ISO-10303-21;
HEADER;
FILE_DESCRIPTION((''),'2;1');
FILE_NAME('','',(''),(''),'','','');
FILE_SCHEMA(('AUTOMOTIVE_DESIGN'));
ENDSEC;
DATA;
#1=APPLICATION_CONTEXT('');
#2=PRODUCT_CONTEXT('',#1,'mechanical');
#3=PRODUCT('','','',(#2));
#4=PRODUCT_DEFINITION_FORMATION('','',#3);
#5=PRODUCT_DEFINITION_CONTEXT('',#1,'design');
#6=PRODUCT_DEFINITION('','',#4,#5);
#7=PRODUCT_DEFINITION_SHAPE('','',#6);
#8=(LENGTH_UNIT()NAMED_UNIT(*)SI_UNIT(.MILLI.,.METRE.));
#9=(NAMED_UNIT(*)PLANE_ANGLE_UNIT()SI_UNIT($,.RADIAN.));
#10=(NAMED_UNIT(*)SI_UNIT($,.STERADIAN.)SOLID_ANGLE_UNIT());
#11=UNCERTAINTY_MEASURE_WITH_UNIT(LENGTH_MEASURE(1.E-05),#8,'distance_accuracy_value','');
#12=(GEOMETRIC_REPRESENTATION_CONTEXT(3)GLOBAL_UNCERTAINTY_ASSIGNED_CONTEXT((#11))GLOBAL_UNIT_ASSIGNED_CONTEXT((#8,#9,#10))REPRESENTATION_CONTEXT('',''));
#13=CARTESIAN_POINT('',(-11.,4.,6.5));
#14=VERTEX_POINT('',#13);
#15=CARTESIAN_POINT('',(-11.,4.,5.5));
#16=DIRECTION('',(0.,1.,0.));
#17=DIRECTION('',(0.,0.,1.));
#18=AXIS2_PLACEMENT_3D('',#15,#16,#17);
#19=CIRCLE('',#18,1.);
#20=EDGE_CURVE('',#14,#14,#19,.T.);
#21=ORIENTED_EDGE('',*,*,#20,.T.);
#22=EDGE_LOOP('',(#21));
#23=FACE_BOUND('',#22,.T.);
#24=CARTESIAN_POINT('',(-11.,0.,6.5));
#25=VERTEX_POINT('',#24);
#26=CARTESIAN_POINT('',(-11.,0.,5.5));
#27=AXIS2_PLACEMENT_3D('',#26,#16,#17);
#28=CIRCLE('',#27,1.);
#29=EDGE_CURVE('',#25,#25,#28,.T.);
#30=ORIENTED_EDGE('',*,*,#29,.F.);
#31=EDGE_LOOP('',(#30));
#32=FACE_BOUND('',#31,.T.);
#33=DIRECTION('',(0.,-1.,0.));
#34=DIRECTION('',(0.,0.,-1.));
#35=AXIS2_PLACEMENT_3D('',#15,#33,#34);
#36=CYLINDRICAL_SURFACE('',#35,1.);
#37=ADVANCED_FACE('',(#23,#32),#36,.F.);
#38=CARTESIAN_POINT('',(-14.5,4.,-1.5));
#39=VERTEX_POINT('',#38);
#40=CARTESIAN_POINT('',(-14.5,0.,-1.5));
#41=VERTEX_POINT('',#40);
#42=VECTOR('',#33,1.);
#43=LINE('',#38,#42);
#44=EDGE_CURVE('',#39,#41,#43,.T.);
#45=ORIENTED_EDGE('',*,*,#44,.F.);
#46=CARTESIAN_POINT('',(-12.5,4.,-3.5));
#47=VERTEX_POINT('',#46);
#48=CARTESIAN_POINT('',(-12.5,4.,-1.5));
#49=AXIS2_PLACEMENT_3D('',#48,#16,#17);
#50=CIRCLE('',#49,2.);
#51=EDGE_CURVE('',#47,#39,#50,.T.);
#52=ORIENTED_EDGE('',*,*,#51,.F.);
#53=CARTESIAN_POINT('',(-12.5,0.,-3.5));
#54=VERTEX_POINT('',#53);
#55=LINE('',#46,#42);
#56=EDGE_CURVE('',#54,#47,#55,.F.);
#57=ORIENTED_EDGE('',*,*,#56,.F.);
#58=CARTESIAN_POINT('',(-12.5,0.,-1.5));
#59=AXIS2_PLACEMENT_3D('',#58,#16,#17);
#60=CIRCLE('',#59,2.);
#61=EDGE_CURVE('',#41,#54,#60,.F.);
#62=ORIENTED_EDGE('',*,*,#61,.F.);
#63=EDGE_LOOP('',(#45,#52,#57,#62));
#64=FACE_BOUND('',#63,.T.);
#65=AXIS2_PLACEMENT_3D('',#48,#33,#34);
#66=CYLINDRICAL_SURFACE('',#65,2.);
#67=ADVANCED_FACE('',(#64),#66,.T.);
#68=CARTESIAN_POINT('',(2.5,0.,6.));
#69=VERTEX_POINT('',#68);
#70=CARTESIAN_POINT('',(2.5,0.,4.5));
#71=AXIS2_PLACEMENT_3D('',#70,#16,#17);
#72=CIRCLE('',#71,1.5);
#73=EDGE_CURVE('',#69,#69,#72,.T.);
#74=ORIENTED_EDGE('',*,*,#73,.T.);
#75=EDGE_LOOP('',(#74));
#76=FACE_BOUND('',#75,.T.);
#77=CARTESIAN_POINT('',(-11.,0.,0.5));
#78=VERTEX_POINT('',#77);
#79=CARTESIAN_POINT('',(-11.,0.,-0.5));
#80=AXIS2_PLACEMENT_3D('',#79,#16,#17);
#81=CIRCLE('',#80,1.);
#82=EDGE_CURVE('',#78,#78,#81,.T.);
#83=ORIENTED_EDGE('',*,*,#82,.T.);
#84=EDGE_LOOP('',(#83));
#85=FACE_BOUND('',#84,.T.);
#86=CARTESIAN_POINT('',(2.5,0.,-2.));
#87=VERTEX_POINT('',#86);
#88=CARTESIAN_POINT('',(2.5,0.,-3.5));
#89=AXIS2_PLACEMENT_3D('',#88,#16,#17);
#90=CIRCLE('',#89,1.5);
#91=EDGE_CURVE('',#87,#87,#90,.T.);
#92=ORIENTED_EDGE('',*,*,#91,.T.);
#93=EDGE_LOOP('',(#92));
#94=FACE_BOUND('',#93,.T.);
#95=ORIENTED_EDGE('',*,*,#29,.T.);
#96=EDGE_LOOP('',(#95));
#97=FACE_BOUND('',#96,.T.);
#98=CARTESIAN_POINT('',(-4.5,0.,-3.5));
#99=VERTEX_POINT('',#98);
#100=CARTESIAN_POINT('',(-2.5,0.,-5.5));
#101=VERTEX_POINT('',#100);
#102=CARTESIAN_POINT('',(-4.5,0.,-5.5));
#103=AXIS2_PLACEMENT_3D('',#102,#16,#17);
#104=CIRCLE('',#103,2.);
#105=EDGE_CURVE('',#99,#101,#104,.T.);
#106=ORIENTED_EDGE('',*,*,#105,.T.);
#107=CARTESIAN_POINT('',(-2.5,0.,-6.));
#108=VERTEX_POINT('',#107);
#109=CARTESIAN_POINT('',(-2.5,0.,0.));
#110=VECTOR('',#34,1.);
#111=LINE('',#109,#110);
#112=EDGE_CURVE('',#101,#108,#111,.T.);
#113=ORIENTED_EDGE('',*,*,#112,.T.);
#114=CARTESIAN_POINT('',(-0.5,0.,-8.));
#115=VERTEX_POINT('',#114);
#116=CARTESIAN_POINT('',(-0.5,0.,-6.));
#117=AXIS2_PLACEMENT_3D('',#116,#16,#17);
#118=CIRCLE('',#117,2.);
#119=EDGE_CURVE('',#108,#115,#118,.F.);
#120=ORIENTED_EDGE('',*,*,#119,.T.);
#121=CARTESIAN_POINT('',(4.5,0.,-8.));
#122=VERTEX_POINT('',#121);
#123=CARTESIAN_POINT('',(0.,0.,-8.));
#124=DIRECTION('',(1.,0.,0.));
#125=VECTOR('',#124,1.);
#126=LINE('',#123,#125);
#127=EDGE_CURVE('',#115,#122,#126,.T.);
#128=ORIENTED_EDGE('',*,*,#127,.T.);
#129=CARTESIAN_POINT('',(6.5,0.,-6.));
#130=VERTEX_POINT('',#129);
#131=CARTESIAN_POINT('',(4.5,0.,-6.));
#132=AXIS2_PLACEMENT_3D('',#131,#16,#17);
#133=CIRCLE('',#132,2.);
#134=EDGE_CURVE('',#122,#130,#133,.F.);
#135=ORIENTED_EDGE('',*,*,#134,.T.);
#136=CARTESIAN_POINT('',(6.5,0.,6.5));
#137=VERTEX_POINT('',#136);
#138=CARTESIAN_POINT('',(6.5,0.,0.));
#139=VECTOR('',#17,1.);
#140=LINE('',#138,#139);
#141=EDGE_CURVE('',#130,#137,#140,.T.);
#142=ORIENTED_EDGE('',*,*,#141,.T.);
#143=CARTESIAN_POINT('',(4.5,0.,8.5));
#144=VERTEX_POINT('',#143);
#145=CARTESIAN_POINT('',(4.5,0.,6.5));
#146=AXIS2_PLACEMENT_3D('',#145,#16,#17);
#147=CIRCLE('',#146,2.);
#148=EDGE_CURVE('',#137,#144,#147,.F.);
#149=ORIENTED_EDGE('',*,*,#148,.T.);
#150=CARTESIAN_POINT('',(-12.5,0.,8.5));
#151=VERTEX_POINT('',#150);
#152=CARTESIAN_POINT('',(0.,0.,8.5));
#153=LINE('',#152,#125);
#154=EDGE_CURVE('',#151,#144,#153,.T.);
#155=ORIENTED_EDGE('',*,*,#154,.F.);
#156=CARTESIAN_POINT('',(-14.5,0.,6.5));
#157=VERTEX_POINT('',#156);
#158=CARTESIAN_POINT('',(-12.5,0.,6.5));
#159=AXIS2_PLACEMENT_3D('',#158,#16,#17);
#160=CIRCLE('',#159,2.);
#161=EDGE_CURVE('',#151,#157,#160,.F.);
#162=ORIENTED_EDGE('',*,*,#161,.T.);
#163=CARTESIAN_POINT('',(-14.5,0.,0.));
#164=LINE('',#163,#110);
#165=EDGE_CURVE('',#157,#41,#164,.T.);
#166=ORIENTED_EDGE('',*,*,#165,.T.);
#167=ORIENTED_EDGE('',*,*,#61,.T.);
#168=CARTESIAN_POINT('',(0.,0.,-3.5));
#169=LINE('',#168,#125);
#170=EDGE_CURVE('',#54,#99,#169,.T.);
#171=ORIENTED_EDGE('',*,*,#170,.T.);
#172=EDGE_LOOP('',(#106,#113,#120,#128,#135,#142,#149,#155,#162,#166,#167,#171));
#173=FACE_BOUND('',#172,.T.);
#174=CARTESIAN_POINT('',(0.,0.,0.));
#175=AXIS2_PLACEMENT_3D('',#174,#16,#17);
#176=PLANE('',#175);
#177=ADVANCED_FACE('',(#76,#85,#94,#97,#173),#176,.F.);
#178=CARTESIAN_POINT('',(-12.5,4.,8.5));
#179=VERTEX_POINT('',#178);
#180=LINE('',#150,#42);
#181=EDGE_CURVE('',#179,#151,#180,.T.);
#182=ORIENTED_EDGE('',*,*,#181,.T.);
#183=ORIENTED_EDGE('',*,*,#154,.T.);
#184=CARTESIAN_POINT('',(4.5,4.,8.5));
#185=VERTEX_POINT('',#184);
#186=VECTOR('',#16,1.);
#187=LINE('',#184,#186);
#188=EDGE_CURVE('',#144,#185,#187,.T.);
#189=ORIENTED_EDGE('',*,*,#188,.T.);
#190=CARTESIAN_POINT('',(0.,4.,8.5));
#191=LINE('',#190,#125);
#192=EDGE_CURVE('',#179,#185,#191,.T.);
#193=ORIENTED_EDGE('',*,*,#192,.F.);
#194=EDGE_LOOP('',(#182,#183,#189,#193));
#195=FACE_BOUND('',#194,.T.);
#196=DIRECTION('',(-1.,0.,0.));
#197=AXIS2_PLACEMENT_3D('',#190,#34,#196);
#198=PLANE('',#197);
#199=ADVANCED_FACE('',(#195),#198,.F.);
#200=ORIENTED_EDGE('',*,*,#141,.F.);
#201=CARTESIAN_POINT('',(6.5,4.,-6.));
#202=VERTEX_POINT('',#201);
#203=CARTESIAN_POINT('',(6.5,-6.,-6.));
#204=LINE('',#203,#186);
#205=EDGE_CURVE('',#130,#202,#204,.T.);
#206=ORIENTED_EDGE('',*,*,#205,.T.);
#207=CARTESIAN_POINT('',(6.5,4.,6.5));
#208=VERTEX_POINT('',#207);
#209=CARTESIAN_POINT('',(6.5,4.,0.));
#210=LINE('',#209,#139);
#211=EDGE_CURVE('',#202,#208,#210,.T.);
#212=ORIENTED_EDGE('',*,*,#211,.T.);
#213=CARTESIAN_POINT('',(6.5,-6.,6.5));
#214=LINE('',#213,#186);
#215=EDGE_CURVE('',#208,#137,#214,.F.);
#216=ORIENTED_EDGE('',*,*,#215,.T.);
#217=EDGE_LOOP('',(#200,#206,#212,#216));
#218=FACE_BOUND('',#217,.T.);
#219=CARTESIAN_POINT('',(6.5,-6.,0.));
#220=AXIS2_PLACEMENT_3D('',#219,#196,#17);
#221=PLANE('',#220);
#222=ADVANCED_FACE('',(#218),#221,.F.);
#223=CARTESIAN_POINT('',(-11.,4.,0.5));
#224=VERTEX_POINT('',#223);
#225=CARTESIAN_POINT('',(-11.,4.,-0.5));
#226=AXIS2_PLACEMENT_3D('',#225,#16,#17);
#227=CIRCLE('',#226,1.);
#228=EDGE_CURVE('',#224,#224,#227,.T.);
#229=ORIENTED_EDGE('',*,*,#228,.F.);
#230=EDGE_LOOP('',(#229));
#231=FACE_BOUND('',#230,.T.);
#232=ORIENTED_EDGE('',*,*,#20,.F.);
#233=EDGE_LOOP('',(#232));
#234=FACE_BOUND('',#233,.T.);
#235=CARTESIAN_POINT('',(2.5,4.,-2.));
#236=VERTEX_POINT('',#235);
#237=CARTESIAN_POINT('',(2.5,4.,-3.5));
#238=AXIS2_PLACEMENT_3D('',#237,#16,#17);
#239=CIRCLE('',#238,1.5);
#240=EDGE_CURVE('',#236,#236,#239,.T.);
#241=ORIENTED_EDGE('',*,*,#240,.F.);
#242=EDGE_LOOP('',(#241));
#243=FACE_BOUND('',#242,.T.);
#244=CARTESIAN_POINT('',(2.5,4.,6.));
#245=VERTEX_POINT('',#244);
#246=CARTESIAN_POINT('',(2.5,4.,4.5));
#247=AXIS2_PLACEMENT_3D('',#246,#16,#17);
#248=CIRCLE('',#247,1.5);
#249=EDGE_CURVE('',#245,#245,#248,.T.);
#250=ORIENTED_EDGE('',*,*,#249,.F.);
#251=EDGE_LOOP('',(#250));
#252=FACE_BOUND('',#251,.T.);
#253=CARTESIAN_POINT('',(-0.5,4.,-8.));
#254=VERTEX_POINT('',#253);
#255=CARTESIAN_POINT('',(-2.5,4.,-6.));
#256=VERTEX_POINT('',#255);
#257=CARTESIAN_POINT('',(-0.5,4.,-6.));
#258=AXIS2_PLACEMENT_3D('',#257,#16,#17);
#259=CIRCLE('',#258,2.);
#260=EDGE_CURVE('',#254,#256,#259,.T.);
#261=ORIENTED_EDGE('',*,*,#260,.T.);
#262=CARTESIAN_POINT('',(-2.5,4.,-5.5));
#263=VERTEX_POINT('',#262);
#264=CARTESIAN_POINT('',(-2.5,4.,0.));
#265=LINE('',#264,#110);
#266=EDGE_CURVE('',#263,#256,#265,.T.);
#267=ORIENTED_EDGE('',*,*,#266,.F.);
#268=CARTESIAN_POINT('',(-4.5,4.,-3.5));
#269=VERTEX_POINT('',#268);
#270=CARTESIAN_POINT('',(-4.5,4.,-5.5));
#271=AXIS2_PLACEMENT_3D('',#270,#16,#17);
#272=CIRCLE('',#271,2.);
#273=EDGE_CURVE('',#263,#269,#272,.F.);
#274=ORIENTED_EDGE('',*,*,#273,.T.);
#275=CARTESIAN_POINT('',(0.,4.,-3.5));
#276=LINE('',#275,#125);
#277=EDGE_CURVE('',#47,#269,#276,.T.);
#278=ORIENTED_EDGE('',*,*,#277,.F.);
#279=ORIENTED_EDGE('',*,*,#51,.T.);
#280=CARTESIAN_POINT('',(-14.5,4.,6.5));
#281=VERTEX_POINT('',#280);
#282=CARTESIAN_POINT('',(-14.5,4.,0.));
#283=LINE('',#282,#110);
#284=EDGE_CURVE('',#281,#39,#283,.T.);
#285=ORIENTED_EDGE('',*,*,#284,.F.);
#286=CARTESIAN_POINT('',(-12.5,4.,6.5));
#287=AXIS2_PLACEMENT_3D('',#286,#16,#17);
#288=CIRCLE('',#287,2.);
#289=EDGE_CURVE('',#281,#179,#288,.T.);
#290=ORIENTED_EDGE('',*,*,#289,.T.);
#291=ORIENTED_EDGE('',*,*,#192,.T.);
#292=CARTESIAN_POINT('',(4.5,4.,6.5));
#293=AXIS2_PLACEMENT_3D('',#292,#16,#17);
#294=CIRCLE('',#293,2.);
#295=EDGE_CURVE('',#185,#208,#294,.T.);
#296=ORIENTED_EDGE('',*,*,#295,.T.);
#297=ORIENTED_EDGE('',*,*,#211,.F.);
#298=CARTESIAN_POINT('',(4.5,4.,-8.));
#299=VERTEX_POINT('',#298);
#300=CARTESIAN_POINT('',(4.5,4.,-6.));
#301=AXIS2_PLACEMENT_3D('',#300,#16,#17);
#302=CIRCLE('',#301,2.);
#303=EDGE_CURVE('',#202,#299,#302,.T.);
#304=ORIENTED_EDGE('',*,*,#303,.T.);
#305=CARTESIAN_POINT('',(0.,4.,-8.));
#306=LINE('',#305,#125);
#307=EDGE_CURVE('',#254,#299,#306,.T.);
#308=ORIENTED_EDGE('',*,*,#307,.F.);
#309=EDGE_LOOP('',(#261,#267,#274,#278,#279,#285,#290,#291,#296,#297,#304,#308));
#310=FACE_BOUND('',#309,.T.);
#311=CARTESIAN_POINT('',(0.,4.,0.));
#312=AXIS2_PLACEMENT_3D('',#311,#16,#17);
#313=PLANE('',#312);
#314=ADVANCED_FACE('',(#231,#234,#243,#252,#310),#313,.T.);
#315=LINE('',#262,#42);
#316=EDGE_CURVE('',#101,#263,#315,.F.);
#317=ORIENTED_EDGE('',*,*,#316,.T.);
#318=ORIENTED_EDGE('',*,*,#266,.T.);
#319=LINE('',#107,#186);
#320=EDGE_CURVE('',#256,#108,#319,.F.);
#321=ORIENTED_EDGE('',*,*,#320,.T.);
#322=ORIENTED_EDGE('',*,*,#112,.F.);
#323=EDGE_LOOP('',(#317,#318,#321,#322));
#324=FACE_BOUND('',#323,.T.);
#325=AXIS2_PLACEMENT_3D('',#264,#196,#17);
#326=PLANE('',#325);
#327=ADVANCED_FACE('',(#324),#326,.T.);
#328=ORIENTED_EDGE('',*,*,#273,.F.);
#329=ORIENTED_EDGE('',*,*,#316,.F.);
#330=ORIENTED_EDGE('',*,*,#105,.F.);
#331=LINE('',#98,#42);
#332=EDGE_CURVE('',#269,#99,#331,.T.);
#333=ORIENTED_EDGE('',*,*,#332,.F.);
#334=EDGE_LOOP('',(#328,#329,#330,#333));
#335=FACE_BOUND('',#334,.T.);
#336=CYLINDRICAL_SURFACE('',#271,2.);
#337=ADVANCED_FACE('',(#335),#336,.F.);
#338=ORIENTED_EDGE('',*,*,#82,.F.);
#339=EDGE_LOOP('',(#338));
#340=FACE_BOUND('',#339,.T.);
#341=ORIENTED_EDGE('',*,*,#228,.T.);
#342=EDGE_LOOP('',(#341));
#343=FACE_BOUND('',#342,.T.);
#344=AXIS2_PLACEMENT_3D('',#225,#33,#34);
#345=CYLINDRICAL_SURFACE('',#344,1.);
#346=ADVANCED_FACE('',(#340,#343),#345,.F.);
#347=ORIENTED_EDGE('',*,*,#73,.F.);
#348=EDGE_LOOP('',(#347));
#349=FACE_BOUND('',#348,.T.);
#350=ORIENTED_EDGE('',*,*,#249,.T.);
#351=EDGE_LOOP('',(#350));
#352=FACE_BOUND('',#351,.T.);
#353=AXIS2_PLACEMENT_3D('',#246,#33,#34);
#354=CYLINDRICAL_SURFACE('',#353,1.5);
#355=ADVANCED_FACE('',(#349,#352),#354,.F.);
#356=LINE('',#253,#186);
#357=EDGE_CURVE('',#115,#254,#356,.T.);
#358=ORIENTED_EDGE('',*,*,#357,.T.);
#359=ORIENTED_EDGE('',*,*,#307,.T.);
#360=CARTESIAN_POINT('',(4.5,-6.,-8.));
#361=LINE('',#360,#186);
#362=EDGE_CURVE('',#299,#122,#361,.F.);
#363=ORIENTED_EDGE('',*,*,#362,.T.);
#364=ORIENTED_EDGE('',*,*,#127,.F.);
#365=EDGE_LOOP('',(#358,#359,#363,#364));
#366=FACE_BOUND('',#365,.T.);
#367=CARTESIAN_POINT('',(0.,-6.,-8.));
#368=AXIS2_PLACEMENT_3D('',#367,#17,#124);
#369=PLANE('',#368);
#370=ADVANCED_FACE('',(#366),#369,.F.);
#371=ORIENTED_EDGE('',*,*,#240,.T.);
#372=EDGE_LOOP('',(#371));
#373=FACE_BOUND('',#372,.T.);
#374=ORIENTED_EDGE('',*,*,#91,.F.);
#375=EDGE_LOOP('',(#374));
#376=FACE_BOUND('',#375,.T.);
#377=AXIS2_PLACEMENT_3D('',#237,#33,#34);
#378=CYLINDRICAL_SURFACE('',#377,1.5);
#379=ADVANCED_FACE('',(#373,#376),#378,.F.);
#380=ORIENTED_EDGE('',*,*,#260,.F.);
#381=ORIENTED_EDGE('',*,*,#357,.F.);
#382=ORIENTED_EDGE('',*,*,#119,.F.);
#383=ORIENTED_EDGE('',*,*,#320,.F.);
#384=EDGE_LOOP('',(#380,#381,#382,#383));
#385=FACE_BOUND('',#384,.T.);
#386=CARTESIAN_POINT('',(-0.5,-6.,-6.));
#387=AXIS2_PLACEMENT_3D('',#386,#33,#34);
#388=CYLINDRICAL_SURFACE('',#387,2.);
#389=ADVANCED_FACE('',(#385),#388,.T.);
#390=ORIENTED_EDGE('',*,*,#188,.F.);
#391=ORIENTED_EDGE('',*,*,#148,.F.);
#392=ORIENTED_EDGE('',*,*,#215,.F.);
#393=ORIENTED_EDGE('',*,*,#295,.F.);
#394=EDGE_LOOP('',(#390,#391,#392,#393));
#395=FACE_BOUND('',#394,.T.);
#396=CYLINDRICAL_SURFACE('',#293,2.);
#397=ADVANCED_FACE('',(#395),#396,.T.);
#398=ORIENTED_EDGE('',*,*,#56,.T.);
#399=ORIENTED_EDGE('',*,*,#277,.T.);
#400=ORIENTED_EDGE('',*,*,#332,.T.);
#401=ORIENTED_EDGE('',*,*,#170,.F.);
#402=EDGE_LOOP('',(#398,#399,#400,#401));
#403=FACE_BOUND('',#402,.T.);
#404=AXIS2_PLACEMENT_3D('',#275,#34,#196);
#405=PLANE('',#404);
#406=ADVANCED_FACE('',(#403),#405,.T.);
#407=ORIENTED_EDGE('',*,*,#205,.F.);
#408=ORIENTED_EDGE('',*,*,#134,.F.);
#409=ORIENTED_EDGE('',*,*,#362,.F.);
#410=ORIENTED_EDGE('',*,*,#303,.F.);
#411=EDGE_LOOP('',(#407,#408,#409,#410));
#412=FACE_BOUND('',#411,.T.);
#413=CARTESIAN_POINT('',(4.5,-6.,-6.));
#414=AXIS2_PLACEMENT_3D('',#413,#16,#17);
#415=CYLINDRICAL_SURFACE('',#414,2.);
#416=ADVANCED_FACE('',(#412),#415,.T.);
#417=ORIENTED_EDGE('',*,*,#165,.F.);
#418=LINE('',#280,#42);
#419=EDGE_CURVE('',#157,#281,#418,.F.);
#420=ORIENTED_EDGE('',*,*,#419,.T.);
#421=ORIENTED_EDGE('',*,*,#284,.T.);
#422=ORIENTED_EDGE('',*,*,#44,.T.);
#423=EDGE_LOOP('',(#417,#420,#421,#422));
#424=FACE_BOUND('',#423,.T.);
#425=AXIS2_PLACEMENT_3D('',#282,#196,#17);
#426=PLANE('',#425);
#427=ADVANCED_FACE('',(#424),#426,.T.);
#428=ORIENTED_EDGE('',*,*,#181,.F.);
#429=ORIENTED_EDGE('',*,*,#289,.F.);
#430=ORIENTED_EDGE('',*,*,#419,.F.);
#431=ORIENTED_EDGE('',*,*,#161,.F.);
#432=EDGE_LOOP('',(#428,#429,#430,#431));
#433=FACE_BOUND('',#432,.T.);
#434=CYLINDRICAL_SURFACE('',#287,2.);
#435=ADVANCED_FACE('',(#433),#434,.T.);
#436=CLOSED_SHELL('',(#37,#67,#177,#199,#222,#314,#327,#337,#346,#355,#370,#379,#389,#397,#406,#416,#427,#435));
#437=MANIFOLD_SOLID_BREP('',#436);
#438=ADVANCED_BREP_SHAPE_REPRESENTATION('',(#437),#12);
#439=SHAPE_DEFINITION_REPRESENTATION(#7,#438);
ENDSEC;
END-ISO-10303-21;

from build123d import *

# Parameters (mm, degrees)
SKETCH_1_R          = 1
SKETCH_1_R_2        = 1.5
EXTRUDE_1_DEPTH     = 4
SKETCH_2_W          = 9
SKETCH_2_H          = 0.5
CUT_EXTRUDE_1_DEPTH = 10
FILLET_1_R          = 2


with BuildPart() as part:
    # 草图1 → 凸台-拉伸1 (new body)
    with BuildSketch(Plane(origin=(0, 0, 0), x_dir=(1, 0, 0), z_dir=(0, 1, 0))):
        Polygon((-14.5, 3.5), (-14.5, -8.5), (14.5, -8.5), (14.5, 8.5), (-2.5, 8.5), (-2.5, 3.5), align=None)
        with Locations(Location((-11, -5.5, 0), (0, 0, 270))):
            Circle(SKETCH_1_R, mode=Mode.SUBTRACT)
        with Locations(Location((2.5, -4.5, 0), (0, 0, 270))):
            Circle(SKETCH_1_R_2, mode=Mode.SUBTRACT)
        with Locations(Location((-11, 0.5, 0), (0, 0, 270))):
            Circle(SKETCH_1_R, mode=Mode.SUBTRACT)
        with Locations(Location((2.5, 3.5, 0), (0, 0, 270))):
            Circle(SKETCH_1_R_2, mode=Mode.SUBTRACT)
    extrude(amount=EXTRUDE_1_DEPTH)

    # 草图2 → 切除-拉伸1 (cut)
    with BuildSketch(Plane(origin=(0, 4, 0), x_dir=(1, 0, 0), z_dir=(0, 1, 0))):
        with Locations((2, 8.25)):
            Rectangle(SKETCH_2_W, SKETCH_2_H)
        Polygon((14.5, -8.5), (14.5, 8.5), (6.5, 8.5), (6.5, 8), (6.5, -8.5), align=None)
    extrude(amount=-CUT_EXTRUDE_1_DEPTH, mode=Mode.SUBTRACT)

    # 圆角1
    fillet_1_edges = [part.edges().sort_by_distance(p)[0] for p in [
        (-14.5, 2, 8.5),
        (-14.5, 2, -3.5),
        (-2.5, 2, -3.5),
        (-2.5, 2, -8),
        (6.5, 2, 8.5),
        (6.5, 2, -8),
    ]]
    fillet(fillet_1_edges, radius=FILLET_1_R)


solid = part.part
